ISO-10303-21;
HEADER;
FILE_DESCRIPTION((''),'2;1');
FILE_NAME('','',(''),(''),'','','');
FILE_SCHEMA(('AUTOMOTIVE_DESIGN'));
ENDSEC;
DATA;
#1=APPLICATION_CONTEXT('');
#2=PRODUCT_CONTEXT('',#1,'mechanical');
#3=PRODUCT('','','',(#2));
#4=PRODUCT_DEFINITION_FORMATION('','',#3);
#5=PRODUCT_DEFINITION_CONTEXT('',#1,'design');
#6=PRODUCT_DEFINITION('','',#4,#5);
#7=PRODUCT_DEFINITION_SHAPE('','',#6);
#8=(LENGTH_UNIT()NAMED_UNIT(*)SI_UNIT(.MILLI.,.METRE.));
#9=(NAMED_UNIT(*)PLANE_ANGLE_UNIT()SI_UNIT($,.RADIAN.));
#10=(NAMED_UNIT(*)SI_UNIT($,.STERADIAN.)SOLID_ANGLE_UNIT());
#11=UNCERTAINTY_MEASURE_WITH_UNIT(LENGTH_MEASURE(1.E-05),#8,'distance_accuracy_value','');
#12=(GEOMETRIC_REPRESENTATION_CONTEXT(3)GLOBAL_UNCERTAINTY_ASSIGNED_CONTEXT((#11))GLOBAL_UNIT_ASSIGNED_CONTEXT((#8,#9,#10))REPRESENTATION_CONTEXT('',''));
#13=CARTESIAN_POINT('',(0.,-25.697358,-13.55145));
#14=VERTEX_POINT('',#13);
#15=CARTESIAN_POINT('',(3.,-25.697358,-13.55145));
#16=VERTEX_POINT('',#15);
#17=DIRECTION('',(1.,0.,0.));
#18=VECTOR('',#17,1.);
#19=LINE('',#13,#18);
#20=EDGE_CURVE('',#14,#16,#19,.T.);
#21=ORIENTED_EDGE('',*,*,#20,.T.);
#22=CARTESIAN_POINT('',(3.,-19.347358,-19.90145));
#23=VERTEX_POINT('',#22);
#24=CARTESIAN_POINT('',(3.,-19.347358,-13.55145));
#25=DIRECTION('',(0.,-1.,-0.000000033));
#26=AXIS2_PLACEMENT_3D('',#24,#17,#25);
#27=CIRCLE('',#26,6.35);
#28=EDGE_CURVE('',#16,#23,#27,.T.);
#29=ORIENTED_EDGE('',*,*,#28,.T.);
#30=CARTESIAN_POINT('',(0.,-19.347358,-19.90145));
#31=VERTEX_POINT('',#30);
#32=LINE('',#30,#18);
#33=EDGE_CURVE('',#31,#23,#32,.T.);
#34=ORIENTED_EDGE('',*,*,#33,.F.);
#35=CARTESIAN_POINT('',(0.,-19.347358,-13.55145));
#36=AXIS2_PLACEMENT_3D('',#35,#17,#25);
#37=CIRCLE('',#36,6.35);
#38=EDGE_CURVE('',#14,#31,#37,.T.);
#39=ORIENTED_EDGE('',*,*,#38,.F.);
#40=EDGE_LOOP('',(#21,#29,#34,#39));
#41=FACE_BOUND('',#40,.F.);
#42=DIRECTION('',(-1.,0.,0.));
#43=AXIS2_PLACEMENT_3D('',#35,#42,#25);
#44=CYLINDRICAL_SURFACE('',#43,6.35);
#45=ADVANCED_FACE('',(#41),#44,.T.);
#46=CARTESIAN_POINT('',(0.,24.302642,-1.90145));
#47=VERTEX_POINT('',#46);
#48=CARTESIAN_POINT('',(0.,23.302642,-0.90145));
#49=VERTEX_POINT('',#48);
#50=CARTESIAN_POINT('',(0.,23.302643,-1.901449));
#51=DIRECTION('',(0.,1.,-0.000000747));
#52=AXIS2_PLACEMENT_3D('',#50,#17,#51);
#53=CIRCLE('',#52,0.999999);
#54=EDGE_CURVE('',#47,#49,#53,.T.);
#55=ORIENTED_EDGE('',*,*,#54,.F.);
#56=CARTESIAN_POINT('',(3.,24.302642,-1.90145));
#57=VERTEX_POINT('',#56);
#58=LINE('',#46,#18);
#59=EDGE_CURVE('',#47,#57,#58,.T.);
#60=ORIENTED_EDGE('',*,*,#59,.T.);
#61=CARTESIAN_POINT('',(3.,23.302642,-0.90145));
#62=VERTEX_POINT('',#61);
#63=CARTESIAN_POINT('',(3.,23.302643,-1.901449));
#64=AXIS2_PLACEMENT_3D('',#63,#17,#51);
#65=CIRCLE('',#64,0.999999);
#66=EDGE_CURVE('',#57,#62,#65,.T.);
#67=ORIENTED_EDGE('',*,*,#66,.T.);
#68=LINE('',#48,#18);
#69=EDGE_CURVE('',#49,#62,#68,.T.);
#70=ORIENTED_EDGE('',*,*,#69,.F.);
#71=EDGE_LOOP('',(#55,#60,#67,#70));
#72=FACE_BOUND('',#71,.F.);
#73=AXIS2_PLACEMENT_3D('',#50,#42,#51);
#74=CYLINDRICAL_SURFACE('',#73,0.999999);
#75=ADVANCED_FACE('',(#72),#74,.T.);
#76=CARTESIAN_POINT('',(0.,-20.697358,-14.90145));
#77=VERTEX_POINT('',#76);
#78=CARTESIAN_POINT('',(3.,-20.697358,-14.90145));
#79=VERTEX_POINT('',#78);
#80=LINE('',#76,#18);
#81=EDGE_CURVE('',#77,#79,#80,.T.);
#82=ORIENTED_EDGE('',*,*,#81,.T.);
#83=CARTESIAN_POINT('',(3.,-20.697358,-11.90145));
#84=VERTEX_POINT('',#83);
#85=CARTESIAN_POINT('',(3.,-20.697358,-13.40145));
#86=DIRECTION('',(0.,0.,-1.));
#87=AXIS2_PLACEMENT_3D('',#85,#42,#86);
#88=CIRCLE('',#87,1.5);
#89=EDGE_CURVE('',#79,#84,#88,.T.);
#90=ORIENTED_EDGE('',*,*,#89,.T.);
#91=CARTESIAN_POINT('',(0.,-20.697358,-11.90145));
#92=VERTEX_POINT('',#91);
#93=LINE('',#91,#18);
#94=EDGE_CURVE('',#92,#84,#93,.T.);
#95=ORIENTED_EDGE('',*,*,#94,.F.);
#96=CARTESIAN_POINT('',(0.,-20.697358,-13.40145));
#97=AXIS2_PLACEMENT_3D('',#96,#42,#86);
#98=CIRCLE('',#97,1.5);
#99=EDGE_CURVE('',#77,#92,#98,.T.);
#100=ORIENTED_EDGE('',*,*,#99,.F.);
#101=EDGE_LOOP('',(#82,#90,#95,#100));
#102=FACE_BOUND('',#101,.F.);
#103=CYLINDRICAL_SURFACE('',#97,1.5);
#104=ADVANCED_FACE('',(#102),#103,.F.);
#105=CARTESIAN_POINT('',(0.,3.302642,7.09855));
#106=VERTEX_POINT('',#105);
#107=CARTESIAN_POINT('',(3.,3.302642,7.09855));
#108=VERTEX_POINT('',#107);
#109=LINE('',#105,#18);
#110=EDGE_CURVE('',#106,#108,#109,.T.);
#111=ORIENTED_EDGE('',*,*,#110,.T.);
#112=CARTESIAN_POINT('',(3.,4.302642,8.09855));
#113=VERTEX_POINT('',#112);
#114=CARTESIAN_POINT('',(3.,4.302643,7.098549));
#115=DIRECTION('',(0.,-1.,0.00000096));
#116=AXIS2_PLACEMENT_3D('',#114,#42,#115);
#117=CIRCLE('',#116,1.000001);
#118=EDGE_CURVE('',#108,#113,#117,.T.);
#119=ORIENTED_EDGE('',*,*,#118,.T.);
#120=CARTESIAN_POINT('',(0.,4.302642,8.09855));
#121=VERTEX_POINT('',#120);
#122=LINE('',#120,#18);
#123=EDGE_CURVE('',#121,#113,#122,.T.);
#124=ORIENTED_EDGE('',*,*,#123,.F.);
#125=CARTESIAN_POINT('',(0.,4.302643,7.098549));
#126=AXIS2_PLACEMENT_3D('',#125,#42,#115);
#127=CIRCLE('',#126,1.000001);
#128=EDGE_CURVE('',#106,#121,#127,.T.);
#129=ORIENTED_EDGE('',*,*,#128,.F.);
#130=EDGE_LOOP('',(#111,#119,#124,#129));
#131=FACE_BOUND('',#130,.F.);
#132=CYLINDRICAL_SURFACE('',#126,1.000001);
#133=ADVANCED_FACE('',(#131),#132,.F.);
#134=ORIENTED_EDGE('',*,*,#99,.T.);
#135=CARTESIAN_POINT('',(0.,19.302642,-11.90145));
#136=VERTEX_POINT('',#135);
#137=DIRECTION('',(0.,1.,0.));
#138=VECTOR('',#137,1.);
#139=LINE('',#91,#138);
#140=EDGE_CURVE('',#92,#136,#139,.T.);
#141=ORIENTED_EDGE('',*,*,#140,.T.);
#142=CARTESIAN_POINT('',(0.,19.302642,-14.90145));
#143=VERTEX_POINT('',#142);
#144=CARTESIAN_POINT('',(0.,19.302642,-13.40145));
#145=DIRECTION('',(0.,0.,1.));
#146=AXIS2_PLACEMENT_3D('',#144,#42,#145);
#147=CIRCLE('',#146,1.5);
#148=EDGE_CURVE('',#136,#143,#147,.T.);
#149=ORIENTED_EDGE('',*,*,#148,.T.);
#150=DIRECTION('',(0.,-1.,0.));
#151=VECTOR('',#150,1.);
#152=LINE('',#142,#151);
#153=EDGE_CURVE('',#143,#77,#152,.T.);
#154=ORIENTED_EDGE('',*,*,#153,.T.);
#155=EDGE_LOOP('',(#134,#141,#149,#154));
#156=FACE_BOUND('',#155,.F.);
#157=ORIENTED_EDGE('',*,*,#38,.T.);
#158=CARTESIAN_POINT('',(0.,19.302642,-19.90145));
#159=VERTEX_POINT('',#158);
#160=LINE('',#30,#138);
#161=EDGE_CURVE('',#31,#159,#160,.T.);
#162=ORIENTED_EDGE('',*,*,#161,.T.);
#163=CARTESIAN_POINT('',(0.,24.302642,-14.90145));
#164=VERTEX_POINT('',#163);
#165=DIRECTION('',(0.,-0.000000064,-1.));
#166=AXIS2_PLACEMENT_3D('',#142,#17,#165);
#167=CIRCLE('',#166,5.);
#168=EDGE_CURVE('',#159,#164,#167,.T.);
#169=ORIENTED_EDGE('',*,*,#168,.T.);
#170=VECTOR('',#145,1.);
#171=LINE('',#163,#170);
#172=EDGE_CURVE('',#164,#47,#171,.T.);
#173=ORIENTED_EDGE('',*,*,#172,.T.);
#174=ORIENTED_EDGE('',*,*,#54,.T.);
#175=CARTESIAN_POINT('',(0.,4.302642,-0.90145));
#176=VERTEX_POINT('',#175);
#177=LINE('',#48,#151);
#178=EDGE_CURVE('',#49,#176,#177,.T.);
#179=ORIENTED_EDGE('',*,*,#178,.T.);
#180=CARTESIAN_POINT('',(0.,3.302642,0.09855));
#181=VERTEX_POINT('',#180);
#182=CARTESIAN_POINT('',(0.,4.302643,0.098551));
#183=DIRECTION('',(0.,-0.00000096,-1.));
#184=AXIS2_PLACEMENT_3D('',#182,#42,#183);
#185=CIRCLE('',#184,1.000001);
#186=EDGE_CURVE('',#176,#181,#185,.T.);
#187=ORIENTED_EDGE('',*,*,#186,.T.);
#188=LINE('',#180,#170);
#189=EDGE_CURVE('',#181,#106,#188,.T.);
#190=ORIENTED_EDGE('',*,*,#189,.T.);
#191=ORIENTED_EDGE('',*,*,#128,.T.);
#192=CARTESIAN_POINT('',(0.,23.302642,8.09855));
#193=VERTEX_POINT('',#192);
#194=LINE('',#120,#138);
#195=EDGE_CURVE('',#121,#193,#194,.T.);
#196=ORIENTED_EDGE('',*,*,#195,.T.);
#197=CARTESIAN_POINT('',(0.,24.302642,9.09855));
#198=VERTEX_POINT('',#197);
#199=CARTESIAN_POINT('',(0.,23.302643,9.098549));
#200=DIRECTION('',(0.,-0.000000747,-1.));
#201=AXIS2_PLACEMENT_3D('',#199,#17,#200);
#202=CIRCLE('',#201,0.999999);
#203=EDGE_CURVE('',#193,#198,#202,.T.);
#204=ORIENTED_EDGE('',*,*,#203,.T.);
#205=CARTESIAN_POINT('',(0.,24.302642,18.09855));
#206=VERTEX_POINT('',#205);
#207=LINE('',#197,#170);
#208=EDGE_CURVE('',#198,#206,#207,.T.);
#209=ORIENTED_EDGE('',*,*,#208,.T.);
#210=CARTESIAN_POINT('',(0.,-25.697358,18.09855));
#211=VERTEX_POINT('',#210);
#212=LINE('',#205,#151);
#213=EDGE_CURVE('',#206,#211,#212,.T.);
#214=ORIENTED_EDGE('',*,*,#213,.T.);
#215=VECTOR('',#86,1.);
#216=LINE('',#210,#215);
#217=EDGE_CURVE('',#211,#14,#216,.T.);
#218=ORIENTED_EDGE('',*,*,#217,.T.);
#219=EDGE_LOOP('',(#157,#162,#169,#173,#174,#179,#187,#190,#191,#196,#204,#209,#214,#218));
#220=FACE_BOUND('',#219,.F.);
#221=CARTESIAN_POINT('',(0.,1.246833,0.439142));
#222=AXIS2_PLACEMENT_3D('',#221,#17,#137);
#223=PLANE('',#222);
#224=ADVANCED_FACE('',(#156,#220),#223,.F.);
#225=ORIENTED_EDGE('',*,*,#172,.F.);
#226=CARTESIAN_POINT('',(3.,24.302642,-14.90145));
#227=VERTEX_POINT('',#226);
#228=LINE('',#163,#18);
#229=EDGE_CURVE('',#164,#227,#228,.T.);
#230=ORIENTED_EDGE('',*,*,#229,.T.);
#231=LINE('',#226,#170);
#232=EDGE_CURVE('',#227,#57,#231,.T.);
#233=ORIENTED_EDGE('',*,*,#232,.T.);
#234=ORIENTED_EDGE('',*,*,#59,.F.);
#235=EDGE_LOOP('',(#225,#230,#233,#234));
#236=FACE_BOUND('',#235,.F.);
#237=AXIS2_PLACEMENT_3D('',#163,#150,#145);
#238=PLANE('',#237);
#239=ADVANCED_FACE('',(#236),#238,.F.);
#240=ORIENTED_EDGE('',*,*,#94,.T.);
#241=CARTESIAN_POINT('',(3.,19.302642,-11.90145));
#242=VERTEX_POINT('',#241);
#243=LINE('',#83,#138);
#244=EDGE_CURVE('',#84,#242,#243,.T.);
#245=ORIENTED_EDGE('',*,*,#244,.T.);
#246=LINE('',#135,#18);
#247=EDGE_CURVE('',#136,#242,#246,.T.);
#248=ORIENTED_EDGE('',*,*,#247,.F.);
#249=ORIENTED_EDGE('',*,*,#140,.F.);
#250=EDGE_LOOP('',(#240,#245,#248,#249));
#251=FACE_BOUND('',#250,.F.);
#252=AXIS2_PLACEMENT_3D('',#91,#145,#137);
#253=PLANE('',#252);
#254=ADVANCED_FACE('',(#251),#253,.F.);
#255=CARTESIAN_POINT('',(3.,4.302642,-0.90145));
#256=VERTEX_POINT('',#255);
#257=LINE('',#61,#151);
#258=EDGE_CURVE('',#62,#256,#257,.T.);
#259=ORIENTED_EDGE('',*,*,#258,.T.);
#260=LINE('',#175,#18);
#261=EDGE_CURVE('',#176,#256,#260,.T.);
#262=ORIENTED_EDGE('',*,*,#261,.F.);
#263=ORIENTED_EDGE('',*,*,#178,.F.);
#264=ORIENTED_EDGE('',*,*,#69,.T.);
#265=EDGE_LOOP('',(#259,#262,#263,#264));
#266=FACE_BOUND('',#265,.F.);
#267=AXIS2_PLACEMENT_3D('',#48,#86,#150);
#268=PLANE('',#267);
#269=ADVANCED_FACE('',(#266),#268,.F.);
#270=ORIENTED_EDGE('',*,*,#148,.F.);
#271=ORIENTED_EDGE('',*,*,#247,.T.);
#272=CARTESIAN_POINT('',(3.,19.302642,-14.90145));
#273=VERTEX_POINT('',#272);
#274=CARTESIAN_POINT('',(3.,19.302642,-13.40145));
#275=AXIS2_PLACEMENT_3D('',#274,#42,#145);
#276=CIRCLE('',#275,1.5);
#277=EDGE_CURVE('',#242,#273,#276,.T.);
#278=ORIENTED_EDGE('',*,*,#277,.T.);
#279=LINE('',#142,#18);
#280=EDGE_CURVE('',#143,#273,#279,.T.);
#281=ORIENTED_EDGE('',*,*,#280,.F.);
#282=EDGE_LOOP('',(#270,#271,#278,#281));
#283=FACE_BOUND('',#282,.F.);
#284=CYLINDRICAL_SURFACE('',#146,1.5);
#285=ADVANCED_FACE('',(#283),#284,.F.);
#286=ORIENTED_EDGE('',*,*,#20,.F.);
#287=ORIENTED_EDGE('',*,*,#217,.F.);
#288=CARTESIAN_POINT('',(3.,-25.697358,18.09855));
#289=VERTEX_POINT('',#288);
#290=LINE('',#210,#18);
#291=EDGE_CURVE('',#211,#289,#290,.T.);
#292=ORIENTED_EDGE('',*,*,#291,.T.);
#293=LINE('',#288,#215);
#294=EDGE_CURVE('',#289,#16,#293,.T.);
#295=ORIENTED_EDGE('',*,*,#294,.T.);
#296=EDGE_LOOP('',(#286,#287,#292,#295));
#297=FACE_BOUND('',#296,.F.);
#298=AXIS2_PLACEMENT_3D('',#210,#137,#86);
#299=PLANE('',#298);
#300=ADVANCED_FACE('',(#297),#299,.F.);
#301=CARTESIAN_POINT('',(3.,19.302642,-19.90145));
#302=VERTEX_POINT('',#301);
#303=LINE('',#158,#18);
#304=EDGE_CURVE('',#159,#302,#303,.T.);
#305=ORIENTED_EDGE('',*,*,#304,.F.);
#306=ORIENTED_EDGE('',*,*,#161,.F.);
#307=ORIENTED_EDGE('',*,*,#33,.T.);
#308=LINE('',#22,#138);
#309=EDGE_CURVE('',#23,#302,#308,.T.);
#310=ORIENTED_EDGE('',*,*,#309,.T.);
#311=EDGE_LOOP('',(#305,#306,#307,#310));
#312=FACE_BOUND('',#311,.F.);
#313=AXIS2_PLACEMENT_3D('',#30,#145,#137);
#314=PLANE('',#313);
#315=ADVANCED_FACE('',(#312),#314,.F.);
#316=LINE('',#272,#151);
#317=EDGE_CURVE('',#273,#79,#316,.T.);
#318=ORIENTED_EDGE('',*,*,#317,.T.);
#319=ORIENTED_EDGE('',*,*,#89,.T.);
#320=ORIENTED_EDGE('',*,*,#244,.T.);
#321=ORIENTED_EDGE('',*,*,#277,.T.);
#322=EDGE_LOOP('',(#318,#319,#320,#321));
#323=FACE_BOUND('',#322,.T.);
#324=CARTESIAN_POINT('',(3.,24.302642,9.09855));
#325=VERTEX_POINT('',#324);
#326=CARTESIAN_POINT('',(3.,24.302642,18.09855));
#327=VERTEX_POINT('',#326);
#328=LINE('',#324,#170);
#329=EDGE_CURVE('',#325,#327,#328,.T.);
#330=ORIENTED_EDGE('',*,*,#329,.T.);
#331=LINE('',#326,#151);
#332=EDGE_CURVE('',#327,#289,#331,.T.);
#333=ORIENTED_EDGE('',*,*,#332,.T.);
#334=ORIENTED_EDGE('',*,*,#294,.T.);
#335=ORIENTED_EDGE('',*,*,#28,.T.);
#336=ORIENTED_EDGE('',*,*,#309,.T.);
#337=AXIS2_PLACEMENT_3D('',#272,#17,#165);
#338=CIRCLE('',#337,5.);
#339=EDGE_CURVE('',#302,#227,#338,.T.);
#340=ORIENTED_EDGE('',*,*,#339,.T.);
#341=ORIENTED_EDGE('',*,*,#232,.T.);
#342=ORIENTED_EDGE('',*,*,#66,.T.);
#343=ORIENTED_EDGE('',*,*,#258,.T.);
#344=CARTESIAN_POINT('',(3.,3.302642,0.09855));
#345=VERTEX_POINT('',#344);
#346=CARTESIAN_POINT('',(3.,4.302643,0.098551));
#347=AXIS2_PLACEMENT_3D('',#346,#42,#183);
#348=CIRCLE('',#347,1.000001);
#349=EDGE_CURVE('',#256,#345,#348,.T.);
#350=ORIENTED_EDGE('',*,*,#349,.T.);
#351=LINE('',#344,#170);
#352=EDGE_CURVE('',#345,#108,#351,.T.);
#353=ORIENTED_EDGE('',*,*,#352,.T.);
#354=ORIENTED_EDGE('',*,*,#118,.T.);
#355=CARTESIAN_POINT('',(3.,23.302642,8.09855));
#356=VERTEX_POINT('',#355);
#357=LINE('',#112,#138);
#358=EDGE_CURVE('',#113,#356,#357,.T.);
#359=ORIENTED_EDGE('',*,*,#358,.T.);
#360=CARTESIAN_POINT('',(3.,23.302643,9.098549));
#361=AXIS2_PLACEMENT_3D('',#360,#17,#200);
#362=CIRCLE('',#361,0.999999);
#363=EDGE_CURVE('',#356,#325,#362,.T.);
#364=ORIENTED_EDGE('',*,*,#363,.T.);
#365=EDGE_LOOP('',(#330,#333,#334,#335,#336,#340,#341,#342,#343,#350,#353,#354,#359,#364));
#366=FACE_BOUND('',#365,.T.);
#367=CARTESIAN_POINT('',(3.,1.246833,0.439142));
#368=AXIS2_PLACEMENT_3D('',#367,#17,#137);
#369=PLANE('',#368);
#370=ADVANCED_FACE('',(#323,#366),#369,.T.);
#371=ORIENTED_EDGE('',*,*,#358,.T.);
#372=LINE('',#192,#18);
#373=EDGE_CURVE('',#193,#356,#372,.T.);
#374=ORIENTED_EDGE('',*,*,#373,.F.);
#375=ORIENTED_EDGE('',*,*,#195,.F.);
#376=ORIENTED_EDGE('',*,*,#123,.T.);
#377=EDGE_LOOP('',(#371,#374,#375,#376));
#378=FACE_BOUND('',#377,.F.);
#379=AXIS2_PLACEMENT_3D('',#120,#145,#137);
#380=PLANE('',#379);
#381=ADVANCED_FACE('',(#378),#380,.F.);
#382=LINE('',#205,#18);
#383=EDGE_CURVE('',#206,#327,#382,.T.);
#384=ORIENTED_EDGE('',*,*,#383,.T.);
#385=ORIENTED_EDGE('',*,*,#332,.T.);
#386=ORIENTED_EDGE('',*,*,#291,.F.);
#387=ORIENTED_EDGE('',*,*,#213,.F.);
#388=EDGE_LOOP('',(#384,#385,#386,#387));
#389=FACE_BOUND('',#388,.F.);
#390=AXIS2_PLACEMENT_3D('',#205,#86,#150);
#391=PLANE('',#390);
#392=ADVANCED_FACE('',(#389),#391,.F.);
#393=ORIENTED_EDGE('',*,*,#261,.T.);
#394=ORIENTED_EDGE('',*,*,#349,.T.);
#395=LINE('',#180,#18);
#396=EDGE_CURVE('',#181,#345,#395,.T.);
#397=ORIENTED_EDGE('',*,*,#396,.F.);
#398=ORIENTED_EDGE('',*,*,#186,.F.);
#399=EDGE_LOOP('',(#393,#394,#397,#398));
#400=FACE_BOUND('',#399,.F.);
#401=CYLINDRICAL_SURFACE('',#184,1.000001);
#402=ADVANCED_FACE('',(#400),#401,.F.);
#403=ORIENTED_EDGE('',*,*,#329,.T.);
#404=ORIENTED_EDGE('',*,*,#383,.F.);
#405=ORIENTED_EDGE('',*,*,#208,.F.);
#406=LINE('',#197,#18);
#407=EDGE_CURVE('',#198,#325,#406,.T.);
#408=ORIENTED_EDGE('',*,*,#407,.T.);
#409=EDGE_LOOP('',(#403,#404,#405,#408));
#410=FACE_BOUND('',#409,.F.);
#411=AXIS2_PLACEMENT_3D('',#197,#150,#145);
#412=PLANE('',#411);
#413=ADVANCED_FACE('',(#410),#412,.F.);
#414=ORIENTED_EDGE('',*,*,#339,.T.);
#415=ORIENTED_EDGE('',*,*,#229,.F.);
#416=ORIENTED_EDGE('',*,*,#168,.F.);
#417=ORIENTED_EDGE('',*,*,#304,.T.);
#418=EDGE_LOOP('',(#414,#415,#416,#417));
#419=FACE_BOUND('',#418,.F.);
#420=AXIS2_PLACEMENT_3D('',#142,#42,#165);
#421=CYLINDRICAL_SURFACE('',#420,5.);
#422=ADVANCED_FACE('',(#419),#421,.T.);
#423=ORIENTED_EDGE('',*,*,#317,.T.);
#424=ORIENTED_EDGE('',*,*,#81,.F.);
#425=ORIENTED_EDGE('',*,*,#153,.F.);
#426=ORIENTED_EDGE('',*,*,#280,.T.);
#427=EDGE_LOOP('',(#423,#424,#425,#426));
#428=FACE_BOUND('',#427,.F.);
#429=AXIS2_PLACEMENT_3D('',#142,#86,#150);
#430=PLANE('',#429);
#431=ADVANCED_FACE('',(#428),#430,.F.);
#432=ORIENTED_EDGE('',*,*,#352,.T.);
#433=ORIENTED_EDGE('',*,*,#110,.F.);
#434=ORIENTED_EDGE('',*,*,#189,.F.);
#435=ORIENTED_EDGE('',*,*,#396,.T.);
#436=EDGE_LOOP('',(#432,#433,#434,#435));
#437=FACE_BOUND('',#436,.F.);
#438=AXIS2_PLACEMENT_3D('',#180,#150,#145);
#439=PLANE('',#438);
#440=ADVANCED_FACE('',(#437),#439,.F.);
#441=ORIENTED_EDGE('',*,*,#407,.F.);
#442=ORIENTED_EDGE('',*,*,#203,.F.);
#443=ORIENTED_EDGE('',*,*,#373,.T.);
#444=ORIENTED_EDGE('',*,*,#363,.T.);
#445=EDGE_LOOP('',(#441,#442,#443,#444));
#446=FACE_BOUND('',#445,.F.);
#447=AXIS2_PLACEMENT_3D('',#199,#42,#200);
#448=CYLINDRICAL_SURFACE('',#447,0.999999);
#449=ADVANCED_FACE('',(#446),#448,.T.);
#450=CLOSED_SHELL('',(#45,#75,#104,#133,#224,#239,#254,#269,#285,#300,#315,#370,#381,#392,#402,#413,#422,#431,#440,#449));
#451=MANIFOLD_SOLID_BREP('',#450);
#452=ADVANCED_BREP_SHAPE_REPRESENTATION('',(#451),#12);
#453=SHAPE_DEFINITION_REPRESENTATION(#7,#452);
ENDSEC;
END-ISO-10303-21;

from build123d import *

# Parameters (mm, degrees)
F1_DEPTH = 3


with BuildPart() as f1:
    # F0 (on Right) → F1 (new body)
    with BuildSketch(Plane.YZ):
        with BuildLine():
            Line((24.302642, 18.09855), (-25.697358, 18.09855))
            Line((-25.697358, 18.09855), (-25.697358, -13.55145))
            ThreePointArc((-25.697358, -13.55145), (-23.837486, -18.041578), (-19.347358, -19.90145))
            Line((-19.347358, -19.90145), (19.302642, -19.90145))
            ThreePointArc((19.302642, -19.90145), (22.838176, -18.436984), (24.302642, -14.90145))
            Line((24.302642, -14.90145), (24.302642, -1.90145))
            ThreePointArc((24.302642, -1.90145), (24.009749, -1.194343), (23.302642, -0.90145))
            Line((23.302642, -0.90145), (4.302642, -0.90145))
            ThreePointArc((4.302642, -0.90145), (3.595536, -0.608557), (3.302642, 0.09855))
            Line((3.302642, 0.09855), (3.302642, 7.09855))
            ThreePointArc((3.302642, 7.09855), (3.595536, 7.805657), (4.302642, 8.09855))
            Line((4.302642, 8.09855), (23.302642, 8.09855))
            ThreePointArc((23.302642, 8.09855), (24.009749, 8.391443), (24.302642, 9.09855))
            Line((24.302642, 9.09855), (24.302642, 18.09855))
        make_face()
        with BuildLine():
            ThreePointArc((-20.697358, -14.90145), (-22.197358, -13.40145), (-20.697358, -11.90145))
            Line((-20.697358, -11.90145), (19.302642, -11.90145))
            ThreePointArc((19.302642, -11.90145), (20.802642, -13.40145), (19.302642, -14.90145))
            Line((19.302642, -14.90145), (-20.697358, -14.90145))
        make_face(mode=Mode.SUBTRACT)
    extrude(amount=F1_DEPTH)


solid = f1.part
